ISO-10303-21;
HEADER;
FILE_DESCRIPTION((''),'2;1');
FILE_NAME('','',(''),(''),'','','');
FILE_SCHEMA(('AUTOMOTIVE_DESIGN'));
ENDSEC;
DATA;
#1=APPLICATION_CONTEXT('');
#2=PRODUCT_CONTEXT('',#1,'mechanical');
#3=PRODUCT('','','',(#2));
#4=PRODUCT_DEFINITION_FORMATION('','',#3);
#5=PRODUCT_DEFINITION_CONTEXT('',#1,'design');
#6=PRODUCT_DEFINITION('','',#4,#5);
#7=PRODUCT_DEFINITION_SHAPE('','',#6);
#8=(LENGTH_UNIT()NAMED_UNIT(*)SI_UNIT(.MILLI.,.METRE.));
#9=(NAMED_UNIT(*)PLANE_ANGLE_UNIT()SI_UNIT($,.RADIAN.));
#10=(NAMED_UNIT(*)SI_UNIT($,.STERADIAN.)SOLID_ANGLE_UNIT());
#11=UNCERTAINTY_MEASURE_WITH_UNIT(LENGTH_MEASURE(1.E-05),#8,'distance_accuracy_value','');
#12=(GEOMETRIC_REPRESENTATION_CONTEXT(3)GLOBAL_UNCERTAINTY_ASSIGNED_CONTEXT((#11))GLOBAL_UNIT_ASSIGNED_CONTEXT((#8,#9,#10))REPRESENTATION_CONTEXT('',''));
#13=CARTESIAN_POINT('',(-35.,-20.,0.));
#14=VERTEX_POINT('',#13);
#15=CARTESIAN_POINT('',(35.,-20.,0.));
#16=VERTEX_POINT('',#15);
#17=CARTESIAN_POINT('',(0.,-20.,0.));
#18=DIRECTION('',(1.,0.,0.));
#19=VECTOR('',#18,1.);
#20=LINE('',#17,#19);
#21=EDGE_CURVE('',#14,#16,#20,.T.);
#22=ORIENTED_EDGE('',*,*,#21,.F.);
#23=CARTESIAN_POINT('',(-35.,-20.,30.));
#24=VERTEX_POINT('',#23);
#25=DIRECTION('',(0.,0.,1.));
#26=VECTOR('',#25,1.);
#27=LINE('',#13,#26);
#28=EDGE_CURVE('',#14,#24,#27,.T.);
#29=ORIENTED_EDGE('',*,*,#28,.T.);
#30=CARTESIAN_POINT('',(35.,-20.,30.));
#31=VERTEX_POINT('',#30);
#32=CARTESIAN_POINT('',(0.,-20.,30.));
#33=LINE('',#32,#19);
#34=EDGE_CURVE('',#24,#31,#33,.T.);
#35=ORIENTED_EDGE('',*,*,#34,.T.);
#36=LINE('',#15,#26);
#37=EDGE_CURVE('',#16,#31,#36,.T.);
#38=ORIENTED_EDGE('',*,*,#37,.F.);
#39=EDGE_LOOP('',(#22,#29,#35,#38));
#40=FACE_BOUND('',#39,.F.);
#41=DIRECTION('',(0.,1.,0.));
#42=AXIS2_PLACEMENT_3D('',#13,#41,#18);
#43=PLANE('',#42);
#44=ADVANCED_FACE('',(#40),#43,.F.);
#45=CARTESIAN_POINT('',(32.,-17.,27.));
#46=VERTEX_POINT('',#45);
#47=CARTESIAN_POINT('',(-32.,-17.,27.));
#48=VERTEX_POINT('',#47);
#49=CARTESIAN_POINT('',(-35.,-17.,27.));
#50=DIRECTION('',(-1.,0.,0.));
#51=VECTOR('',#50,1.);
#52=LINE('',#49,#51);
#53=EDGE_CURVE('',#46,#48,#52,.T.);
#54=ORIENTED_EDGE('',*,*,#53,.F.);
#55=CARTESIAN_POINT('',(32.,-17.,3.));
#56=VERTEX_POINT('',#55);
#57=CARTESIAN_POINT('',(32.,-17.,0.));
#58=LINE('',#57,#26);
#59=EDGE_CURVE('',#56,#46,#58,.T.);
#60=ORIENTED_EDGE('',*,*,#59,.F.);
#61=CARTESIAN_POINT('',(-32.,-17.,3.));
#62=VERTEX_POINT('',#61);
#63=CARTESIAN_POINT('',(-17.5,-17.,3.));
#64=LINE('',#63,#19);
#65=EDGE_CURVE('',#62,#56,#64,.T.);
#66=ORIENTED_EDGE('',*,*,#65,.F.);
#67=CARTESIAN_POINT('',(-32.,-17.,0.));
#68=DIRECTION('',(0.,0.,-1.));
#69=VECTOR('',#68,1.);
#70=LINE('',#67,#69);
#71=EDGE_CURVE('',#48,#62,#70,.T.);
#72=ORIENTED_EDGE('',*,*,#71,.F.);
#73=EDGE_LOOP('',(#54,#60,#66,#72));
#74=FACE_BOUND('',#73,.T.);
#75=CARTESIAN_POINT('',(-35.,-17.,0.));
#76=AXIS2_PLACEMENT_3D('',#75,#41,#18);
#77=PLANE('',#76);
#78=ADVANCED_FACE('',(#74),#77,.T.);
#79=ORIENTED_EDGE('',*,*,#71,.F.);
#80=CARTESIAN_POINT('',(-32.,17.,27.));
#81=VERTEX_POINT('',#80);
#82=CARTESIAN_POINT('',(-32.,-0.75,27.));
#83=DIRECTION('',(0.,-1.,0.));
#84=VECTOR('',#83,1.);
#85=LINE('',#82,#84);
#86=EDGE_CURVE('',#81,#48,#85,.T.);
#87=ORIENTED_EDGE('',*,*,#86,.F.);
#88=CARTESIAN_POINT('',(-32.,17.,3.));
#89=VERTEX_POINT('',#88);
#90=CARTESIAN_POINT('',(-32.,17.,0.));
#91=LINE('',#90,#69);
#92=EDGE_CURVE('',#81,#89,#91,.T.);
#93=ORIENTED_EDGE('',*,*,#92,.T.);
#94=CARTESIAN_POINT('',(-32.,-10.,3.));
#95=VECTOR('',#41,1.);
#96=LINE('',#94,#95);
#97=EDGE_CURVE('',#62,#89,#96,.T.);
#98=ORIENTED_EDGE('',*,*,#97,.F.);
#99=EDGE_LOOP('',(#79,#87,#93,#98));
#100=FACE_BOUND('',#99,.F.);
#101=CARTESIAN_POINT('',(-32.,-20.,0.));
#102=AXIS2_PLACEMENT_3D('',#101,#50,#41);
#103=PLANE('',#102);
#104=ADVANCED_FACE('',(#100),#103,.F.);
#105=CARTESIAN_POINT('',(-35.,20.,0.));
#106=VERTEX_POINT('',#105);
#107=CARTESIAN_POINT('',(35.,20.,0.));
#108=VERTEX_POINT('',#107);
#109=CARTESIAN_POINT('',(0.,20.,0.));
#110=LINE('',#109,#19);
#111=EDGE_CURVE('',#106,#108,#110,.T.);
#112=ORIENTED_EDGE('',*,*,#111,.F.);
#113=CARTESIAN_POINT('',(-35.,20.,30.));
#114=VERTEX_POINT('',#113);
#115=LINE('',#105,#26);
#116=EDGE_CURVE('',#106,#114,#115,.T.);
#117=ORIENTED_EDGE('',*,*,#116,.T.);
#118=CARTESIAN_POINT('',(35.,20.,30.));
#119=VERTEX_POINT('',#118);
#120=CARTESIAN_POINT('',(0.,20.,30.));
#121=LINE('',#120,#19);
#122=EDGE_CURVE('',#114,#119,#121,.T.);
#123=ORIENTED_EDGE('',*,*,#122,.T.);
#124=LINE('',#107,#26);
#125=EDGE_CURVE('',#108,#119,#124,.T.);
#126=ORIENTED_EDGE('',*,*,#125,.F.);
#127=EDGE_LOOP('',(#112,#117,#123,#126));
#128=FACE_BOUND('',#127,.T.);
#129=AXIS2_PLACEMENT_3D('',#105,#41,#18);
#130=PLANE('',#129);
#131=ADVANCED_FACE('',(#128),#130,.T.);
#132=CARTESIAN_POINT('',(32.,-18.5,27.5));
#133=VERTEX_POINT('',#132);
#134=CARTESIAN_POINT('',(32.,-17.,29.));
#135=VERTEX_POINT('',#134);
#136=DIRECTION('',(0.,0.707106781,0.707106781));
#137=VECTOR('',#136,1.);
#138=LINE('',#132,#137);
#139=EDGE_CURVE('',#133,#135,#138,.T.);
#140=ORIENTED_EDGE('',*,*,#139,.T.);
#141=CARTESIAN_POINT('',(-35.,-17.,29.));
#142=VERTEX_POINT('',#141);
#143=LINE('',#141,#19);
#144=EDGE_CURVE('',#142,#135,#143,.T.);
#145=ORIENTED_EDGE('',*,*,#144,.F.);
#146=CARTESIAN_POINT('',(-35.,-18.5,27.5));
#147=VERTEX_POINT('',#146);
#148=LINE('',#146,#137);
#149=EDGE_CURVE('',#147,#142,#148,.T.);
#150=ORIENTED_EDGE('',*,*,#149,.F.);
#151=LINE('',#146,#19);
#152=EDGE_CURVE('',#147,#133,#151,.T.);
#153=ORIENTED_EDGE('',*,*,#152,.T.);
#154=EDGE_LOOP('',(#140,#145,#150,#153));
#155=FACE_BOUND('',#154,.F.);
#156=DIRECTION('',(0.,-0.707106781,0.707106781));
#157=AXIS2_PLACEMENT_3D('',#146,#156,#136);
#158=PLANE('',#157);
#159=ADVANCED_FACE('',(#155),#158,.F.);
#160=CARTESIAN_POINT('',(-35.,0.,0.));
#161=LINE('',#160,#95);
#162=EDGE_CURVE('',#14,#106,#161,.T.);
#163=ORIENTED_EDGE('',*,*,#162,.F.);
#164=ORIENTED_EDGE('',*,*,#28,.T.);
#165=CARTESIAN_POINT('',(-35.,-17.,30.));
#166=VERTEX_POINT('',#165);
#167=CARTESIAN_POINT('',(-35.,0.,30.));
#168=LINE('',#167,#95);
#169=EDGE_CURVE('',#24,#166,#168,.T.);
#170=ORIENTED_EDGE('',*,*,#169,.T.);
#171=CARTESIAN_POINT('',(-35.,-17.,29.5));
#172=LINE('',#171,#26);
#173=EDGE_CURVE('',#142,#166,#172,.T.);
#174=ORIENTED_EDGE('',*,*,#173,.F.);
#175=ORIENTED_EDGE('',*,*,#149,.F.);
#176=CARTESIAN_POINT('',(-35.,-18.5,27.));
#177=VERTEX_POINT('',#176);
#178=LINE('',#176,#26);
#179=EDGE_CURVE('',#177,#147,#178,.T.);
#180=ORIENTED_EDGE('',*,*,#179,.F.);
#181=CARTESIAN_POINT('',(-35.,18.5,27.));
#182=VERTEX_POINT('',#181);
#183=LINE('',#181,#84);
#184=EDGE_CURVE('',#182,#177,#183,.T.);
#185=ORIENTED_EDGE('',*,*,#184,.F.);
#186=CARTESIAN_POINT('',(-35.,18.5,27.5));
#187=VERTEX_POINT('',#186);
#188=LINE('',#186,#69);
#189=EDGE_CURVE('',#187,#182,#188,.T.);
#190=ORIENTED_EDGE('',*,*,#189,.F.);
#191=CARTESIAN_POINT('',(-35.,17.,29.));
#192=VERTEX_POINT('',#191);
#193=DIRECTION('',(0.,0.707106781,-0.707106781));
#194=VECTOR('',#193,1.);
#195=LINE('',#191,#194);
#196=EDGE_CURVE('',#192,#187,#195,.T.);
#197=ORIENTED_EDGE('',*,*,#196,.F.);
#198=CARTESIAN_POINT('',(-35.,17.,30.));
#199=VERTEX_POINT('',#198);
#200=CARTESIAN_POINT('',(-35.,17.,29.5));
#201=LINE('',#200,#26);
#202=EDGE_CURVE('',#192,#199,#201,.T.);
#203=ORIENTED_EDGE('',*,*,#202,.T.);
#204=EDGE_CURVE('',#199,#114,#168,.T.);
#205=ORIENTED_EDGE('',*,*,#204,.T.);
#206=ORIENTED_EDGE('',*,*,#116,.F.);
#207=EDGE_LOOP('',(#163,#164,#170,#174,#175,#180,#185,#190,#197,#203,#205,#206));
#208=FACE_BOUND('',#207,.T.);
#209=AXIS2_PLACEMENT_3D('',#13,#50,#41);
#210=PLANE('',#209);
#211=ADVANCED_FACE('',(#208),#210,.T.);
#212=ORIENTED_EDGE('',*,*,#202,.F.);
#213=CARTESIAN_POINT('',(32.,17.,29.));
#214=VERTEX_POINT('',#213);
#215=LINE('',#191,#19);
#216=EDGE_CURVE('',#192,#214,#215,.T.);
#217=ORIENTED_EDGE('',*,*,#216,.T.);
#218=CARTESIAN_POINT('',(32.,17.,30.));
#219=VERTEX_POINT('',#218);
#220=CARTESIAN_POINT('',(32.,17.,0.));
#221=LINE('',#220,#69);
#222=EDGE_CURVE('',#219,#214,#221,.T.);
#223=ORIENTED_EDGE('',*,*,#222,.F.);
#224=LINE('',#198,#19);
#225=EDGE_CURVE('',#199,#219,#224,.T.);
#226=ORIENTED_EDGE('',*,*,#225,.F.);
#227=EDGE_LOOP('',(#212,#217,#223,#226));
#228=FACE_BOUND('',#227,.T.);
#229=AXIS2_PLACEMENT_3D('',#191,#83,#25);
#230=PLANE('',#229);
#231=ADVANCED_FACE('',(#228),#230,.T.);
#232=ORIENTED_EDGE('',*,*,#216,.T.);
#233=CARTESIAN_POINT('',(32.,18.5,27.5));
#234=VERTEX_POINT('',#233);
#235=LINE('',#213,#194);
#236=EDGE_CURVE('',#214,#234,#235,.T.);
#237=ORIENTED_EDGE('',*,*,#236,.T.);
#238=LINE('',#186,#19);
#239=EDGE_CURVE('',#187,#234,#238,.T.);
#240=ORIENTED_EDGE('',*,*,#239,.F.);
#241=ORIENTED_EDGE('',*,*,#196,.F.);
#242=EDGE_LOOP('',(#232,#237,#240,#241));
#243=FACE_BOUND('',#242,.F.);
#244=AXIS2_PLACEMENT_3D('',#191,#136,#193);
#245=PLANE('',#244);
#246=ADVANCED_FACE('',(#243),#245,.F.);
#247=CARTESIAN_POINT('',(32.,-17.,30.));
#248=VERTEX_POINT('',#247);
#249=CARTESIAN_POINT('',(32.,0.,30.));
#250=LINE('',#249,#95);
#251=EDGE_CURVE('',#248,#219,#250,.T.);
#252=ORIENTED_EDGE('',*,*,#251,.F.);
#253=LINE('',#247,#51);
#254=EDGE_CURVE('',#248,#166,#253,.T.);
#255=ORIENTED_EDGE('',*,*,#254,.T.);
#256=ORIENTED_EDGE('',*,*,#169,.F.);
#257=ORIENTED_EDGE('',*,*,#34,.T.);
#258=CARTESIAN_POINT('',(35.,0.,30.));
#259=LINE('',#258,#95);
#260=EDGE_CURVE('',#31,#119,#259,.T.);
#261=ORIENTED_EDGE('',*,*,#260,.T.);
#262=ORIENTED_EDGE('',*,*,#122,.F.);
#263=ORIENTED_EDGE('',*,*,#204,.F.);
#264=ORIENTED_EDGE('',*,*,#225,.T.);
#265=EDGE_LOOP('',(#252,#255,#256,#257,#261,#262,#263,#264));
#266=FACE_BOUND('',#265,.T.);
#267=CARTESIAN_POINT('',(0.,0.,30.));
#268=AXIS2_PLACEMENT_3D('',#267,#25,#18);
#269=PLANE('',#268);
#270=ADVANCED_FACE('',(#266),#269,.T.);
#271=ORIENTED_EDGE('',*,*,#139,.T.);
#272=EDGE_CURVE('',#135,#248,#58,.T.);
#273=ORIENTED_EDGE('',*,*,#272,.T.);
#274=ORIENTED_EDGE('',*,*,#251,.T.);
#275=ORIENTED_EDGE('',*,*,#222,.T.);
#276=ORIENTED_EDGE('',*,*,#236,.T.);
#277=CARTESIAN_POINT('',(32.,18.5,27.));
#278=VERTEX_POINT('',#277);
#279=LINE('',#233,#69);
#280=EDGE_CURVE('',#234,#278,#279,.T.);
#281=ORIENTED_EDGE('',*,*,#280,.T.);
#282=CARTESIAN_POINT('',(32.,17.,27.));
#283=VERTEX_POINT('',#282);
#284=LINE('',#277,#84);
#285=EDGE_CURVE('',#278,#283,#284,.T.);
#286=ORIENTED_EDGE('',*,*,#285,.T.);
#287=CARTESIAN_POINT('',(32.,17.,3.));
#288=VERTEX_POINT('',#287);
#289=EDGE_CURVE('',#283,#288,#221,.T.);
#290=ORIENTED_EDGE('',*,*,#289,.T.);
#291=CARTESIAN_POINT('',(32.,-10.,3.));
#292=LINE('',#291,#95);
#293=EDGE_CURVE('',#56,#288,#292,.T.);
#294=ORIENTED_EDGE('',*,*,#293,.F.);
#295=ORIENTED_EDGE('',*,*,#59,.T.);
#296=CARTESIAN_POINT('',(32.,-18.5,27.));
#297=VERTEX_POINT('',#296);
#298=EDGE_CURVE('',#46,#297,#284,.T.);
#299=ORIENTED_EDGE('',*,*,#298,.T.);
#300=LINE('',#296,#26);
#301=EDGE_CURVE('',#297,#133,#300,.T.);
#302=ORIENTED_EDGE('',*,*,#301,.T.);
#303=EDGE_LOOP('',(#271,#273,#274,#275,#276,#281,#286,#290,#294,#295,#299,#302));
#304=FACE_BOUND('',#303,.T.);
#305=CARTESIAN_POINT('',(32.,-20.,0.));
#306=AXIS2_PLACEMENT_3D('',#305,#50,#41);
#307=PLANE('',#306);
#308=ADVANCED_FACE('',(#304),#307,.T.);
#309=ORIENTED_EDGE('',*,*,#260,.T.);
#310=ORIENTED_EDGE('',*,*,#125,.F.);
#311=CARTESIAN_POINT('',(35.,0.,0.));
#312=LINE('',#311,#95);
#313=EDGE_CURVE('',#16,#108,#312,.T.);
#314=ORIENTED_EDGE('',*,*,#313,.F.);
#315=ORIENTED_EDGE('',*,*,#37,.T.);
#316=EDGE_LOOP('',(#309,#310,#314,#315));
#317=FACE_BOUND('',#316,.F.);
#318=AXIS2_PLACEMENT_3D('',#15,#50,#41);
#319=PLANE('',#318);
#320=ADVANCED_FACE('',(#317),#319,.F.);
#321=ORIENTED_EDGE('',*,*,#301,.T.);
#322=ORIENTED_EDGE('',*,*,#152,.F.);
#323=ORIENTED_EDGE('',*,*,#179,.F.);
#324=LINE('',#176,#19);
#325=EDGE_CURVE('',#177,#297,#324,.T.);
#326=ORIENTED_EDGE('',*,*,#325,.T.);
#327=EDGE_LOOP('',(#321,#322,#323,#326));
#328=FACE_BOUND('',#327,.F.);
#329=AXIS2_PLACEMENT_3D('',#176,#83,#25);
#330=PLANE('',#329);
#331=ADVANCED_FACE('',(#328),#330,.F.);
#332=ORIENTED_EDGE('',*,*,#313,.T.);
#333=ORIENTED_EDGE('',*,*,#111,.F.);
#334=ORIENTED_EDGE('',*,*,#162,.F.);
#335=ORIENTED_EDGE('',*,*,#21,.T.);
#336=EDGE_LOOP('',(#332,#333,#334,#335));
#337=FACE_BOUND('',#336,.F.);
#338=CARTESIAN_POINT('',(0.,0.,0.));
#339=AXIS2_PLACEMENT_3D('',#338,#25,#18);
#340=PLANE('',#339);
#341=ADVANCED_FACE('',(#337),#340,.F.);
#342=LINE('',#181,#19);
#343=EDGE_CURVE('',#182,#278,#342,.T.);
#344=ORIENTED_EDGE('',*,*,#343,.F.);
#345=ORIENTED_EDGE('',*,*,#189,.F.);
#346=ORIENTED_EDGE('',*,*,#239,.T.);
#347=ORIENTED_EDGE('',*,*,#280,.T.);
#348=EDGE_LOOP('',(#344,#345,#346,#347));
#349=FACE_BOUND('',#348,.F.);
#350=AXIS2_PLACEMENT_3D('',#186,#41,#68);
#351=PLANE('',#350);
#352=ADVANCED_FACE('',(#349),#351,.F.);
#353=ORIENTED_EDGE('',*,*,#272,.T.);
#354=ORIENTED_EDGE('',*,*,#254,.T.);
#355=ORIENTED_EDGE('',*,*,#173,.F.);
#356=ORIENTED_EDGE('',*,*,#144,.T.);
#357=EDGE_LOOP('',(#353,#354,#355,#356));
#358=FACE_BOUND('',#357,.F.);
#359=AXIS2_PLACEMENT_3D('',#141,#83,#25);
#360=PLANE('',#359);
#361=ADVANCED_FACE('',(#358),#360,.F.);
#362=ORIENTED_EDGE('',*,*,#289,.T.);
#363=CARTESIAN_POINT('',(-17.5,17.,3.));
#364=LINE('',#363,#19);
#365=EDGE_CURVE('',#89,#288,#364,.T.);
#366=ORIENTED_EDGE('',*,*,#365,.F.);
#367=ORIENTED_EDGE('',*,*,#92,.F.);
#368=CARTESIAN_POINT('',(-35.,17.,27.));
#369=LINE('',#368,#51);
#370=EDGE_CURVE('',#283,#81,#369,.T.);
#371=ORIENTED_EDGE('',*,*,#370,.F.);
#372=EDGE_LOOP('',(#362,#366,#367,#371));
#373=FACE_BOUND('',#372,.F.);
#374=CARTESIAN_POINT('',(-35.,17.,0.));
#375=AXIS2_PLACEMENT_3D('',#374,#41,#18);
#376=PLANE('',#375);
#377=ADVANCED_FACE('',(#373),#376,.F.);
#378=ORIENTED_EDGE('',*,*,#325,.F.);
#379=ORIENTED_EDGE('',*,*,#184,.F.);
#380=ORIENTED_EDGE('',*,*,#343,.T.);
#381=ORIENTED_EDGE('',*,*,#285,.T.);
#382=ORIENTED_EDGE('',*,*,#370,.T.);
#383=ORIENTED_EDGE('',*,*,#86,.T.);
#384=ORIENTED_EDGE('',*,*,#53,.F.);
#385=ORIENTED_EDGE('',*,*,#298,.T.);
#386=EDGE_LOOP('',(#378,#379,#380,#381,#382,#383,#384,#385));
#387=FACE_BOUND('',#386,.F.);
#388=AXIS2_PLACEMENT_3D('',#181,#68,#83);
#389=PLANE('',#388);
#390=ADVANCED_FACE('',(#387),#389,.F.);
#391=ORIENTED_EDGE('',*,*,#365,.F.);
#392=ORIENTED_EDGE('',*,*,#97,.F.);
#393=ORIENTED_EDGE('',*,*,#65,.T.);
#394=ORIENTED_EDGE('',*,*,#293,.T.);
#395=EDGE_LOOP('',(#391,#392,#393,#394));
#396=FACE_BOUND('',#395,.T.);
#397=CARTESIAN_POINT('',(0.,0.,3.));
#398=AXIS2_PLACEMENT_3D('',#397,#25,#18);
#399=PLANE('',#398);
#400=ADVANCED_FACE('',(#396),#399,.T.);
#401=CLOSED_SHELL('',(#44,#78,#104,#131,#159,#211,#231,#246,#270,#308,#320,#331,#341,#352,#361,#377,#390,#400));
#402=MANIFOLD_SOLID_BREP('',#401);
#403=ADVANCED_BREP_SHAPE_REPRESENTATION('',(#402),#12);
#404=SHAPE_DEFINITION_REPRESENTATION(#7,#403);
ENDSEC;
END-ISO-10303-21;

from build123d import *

# Parameters (mm, degrees)
F0_W     = 70
F0_H     = 40
F1_DEPTH = 30
F2_T     = -3
F3_W     = 34
F3_H     = 1
F4_DEPTH = 67


with BuildPart() as f1:
    # F0 (on Top) → F1 (new body)
    with BuildSketch(Plane.XY):
        Rectangle(F0_W, F0_H)
    extrude(amount=F1_DEPTH)

    # F2
    f2_openings = [f1.faces().sort_by_distance(p)[0] for p in [
        (0, 0, 30),
    ]]
    offset(amount=F2_T, openings=f2_openings)

    # F3 (on face) → F4 (cut, through all)
    with BuildSketch(Plane(origin=(-35, 0, 0), x_dir=(0, -1, 0), z_dir=(-1, 0, 0))):
        Polygon((-18.5, 27.5), (-18.5, 27), (18.5, 27), (18.5, 27.5), (17, 29), (-17, 29), align=None)
        with Locations((0, 29.5)):
            Rectangle(F3_W, F3_H)
    extrude(amount=-F4_DEPTH, mode=Mode.SUBTRACT)


solid = f1.part
